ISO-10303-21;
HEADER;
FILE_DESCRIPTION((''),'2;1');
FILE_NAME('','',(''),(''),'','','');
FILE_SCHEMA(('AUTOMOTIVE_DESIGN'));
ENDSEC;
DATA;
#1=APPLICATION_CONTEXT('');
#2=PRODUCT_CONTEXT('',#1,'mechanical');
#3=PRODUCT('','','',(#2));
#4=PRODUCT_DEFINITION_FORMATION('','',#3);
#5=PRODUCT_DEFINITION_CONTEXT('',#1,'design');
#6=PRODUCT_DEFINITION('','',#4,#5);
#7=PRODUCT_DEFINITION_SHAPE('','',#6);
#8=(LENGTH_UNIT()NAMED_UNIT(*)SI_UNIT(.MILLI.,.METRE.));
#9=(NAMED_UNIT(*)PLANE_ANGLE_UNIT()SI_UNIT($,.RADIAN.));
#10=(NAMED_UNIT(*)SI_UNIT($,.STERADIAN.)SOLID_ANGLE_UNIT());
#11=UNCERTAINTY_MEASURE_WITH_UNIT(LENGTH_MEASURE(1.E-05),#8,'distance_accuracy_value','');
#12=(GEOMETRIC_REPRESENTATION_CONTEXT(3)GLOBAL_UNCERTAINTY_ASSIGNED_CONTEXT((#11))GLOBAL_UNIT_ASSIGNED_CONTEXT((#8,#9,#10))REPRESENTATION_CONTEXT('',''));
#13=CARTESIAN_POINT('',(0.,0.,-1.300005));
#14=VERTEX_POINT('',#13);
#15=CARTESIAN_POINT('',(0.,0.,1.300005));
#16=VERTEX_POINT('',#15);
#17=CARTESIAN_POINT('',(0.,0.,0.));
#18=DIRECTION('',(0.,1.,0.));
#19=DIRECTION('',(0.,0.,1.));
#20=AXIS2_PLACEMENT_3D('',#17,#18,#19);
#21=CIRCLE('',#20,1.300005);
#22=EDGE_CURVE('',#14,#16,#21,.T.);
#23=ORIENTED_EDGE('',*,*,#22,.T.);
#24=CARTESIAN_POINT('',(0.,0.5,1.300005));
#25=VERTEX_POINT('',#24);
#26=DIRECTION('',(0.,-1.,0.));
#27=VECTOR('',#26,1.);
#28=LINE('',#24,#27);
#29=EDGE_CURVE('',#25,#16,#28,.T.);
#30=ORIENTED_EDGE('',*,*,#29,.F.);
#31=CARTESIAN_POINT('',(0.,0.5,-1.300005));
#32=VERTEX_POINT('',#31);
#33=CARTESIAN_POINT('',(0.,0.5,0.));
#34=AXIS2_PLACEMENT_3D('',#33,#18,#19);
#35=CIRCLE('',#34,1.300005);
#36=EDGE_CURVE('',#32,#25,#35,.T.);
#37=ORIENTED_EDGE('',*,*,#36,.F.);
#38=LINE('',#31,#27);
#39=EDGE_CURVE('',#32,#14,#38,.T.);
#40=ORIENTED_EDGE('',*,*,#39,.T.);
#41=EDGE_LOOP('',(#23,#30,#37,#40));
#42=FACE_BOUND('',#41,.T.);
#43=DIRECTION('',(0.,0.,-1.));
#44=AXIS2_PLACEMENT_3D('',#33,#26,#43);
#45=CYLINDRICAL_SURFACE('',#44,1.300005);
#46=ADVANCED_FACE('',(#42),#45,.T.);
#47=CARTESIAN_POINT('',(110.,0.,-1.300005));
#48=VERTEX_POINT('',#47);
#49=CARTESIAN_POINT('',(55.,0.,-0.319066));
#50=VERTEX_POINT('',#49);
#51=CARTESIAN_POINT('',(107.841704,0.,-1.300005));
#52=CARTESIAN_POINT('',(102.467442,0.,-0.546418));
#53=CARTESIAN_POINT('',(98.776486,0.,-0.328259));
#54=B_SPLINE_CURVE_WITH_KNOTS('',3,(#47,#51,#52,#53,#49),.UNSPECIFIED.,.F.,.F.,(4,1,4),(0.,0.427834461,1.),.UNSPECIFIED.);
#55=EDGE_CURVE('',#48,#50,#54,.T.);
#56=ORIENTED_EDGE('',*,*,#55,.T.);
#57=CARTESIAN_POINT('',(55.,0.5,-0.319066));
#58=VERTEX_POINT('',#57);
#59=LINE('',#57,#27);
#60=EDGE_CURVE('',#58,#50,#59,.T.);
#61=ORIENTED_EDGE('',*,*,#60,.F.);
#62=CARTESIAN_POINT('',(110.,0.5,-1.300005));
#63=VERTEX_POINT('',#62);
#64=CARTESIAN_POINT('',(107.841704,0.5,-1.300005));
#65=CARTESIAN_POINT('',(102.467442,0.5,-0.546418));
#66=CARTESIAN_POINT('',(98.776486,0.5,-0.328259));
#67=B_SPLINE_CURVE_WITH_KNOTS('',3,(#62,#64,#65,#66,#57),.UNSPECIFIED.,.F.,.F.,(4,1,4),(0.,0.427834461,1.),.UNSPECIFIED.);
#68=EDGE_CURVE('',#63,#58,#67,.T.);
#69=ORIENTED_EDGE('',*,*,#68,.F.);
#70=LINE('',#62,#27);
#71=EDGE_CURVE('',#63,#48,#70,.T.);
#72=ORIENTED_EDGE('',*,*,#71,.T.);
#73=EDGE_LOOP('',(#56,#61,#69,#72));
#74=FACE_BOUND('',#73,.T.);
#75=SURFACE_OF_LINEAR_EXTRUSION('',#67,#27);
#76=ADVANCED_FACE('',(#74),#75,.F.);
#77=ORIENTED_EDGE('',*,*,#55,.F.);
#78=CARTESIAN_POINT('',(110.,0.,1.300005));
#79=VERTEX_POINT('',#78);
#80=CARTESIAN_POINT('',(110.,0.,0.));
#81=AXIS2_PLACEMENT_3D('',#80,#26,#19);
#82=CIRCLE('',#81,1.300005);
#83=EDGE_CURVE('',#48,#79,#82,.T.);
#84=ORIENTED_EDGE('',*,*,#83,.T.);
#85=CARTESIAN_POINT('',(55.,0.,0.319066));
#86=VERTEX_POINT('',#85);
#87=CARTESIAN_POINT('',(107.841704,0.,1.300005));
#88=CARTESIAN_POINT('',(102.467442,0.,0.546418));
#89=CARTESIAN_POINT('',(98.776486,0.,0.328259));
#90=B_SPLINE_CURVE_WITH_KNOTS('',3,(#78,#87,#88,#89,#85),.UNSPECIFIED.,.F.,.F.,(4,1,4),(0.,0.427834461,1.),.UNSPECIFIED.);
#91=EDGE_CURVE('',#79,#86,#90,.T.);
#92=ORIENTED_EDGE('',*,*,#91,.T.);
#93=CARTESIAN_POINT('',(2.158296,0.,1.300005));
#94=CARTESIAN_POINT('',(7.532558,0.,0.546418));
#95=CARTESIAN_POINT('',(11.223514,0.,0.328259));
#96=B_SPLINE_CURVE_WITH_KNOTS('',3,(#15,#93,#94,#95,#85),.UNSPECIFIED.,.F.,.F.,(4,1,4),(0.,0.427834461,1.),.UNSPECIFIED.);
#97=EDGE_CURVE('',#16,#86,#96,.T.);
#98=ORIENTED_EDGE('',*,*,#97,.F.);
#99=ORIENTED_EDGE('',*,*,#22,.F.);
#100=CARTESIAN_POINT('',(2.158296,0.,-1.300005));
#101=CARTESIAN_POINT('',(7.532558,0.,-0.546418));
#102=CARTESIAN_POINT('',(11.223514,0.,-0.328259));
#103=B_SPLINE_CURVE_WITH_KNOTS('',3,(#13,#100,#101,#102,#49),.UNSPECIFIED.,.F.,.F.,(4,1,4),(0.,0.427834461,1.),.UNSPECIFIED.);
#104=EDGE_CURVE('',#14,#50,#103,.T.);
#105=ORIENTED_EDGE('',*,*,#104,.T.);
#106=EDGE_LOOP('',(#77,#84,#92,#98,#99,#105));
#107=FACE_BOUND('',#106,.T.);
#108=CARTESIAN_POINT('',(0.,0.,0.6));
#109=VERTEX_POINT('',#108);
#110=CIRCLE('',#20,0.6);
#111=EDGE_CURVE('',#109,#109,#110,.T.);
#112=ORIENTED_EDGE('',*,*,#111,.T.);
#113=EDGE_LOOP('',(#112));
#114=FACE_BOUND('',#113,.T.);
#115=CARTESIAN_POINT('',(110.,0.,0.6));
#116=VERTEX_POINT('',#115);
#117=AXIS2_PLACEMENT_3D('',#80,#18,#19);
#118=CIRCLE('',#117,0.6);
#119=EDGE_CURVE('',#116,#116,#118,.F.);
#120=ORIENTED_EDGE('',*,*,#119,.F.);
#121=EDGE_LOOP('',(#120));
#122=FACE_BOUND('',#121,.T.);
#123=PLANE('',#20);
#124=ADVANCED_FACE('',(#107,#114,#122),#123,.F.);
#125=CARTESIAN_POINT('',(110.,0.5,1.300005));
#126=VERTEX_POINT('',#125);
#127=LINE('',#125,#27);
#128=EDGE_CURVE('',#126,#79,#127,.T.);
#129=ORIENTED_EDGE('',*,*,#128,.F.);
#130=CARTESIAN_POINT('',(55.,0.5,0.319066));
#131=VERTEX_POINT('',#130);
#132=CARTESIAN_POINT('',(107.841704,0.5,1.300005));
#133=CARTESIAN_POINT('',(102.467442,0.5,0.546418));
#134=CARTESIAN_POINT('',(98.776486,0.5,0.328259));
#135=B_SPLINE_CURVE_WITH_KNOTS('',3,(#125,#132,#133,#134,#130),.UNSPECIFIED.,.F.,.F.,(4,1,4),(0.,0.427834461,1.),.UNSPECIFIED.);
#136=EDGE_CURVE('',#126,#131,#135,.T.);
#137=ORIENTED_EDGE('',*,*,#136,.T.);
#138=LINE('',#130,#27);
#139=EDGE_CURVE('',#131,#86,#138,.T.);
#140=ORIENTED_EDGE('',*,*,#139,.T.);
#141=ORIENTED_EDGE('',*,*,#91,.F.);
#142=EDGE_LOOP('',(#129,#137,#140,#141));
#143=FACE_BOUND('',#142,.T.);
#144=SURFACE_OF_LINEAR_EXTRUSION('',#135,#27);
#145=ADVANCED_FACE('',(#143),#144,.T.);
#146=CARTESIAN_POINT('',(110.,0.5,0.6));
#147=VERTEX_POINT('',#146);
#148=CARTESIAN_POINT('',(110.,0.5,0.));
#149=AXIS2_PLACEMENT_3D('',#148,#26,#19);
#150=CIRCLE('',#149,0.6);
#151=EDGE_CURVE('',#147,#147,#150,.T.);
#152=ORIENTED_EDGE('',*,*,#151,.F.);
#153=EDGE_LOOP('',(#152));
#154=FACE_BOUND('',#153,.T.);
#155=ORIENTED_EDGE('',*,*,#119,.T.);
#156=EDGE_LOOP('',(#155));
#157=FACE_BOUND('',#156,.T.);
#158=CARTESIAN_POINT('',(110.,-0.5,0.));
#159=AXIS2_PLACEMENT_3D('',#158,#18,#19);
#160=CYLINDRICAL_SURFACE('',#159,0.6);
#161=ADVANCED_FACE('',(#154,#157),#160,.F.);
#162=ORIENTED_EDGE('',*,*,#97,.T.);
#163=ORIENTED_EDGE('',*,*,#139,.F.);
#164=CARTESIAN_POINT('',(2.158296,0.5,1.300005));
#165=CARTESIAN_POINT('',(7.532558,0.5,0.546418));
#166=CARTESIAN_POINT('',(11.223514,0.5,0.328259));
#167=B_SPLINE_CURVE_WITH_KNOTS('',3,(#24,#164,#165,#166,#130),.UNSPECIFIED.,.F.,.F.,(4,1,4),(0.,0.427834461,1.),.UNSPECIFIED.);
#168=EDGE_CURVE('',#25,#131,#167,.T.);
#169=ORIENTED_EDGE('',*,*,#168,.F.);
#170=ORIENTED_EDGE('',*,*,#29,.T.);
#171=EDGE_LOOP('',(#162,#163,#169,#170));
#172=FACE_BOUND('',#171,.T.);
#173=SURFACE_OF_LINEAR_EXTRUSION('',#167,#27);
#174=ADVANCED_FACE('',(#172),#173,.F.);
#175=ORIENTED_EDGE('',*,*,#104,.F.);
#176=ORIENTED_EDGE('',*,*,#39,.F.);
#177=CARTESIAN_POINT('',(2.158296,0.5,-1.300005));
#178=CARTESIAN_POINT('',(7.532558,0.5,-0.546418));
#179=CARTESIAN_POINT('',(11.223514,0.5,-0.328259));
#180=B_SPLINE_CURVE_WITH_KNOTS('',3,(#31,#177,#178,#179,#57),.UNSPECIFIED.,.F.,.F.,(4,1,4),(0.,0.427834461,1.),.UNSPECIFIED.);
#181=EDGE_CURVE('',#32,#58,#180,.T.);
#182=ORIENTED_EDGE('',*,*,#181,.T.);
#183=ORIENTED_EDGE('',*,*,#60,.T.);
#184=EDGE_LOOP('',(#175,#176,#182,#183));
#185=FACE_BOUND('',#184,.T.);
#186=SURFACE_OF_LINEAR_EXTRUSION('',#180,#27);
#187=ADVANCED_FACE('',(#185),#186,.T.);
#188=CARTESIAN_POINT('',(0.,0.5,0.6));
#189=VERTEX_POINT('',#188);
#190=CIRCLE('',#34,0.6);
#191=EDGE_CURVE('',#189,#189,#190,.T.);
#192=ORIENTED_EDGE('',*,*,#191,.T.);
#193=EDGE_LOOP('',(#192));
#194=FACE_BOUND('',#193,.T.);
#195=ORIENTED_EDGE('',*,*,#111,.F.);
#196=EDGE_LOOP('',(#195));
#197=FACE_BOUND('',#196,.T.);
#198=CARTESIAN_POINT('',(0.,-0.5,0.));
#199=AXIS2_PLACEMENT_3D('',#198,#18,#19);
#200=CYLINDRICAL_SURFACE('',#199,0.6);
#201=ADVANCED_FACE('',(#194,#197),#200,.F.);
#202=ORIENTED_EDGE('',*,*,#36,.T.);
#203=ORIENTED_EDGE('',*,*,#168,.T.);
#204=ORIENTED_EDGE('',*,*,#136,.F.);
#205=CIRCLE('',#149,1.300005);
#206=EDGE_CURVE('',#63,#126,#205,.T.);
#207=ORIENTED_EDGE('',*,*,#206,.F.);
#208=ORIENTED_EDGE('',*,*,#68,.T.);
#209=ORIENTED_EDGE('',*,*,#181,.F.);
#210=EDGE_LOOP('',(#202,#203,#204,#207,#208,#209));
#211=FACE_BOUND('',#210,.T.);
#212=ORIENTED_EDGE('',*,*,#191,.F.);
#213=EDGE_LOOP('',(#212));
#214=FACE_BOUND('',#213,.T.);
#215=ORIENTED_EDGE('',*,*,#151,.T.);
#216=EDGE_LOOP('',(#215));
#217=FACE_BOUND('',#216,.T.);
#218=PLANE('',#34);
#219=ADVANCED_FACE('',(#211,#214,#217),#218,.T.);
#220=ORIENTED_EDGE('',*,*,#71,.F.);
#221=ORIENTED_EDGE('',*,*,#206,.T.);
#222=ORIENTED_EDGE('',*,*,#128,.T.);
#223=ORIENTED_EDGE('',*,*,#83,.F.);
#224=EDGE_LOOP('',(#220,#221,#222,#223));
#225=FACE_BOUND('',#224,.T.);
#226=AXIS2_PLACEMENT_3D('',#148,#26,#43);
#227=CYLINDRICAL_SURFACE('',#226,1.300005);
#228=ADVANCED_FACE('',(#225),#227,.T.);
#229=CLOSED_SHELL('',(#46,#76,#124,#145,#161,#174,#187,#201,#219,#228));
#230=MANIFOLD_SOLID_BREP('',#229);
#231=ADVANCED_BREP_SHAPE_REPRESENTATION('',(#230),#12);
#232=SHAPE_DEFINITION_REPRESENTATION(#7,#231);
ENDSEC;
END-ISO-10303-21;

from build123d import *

# Parameters (mm, degrees)
BOSS_EXTRUDE1_DEPTH = 0.5
SKETCH3_R           = 0.6
CUT_EXTRUDE1_DEPTH  = 1


with BuildPart() as part:
    # Sketch2 → Boss-Extrude1 (new body)
    with BuildSketch(Plane(origin=(0, 0, 0), x_dir=(1, 0, 0), z_dir=(0, 1, 0))):
        with BuildLine():
            Line((55, -0.31906631), (55, 0.31906631))
            add(Edge.make_bspline(
                [(0, 1.300005072), (2.158295669, 1.300005072), (7.532558027, 0.546418398), (11.223513642, 0.32825862), (55, 0.31906631)],
                knots=[0, 0, 0, 0, 0.427834461, 1, 1, 1, 1], degree=3))
            ThreePointArc((0, 1.300005072), (0.919242402, 0.919242402), (1.300005072, 0))
            ThreePointArc((1.300005072, 0), (0.919242402, -0.919242402), (0, -1.300005072))
            add(Edge.make_bspline(
                [(0, -1.300005072), (2.158295669, -1.300005072), (7.532558027, -0.546418398), (11.223513642, -0.32825862), (55, -0.31906631)],
                knots=[0, 0, 0, 0, 0.427834461, 1, 1, 1, 1], degree=3))
        make_face()
        with BuildLine():
            ThreePointArc((1.300005072, 0), (0.919242402, 0.919242402), (0, 1.300005072))
            ThreePointArc((0, 1.300005072), (-1.300005072, 0), (0, -1.300005072))
            ThreePointArc((0, -1.300005072), (0.919242402, -0.919242402), (1.300005072, 0))
        make_face()
    boss_extrude1 = extrude(amount=BOSS_EXTRUDE1_DEPTH)

    # Sketch3 → Cut-Extrude1 (cut)
    with BuildSketch(Plane(origin=(0, 0.5, 0), x_dir=(1, 0, 0), z_dir=(0, 1, 0))):
        with Locations(Location((0, 0, 0), (0, 0, 270))):
            Circle(SKETCH3_R)
    cut_extrude1 = extrude(amount=-CUT_EXTRUDE1_DEPTH, mode=Mode.SUBTRACT)

    # Mirror1: Boss-Extrude1, Cut-Extrude1 across plane
    add(boss_extrude1.mirror(Plane(origin=(55, 0, 0), x_dir=(0, 0, 1), z_dir=(1, 0, 0))))
    add(cut_extrude1.mirror(Plane(origin=(55, 0, 0), x_dir=(0, 0, 1), z_dir=(1, 0, 0))), mode=Mode.SUBTRACT)


solid = part.part
